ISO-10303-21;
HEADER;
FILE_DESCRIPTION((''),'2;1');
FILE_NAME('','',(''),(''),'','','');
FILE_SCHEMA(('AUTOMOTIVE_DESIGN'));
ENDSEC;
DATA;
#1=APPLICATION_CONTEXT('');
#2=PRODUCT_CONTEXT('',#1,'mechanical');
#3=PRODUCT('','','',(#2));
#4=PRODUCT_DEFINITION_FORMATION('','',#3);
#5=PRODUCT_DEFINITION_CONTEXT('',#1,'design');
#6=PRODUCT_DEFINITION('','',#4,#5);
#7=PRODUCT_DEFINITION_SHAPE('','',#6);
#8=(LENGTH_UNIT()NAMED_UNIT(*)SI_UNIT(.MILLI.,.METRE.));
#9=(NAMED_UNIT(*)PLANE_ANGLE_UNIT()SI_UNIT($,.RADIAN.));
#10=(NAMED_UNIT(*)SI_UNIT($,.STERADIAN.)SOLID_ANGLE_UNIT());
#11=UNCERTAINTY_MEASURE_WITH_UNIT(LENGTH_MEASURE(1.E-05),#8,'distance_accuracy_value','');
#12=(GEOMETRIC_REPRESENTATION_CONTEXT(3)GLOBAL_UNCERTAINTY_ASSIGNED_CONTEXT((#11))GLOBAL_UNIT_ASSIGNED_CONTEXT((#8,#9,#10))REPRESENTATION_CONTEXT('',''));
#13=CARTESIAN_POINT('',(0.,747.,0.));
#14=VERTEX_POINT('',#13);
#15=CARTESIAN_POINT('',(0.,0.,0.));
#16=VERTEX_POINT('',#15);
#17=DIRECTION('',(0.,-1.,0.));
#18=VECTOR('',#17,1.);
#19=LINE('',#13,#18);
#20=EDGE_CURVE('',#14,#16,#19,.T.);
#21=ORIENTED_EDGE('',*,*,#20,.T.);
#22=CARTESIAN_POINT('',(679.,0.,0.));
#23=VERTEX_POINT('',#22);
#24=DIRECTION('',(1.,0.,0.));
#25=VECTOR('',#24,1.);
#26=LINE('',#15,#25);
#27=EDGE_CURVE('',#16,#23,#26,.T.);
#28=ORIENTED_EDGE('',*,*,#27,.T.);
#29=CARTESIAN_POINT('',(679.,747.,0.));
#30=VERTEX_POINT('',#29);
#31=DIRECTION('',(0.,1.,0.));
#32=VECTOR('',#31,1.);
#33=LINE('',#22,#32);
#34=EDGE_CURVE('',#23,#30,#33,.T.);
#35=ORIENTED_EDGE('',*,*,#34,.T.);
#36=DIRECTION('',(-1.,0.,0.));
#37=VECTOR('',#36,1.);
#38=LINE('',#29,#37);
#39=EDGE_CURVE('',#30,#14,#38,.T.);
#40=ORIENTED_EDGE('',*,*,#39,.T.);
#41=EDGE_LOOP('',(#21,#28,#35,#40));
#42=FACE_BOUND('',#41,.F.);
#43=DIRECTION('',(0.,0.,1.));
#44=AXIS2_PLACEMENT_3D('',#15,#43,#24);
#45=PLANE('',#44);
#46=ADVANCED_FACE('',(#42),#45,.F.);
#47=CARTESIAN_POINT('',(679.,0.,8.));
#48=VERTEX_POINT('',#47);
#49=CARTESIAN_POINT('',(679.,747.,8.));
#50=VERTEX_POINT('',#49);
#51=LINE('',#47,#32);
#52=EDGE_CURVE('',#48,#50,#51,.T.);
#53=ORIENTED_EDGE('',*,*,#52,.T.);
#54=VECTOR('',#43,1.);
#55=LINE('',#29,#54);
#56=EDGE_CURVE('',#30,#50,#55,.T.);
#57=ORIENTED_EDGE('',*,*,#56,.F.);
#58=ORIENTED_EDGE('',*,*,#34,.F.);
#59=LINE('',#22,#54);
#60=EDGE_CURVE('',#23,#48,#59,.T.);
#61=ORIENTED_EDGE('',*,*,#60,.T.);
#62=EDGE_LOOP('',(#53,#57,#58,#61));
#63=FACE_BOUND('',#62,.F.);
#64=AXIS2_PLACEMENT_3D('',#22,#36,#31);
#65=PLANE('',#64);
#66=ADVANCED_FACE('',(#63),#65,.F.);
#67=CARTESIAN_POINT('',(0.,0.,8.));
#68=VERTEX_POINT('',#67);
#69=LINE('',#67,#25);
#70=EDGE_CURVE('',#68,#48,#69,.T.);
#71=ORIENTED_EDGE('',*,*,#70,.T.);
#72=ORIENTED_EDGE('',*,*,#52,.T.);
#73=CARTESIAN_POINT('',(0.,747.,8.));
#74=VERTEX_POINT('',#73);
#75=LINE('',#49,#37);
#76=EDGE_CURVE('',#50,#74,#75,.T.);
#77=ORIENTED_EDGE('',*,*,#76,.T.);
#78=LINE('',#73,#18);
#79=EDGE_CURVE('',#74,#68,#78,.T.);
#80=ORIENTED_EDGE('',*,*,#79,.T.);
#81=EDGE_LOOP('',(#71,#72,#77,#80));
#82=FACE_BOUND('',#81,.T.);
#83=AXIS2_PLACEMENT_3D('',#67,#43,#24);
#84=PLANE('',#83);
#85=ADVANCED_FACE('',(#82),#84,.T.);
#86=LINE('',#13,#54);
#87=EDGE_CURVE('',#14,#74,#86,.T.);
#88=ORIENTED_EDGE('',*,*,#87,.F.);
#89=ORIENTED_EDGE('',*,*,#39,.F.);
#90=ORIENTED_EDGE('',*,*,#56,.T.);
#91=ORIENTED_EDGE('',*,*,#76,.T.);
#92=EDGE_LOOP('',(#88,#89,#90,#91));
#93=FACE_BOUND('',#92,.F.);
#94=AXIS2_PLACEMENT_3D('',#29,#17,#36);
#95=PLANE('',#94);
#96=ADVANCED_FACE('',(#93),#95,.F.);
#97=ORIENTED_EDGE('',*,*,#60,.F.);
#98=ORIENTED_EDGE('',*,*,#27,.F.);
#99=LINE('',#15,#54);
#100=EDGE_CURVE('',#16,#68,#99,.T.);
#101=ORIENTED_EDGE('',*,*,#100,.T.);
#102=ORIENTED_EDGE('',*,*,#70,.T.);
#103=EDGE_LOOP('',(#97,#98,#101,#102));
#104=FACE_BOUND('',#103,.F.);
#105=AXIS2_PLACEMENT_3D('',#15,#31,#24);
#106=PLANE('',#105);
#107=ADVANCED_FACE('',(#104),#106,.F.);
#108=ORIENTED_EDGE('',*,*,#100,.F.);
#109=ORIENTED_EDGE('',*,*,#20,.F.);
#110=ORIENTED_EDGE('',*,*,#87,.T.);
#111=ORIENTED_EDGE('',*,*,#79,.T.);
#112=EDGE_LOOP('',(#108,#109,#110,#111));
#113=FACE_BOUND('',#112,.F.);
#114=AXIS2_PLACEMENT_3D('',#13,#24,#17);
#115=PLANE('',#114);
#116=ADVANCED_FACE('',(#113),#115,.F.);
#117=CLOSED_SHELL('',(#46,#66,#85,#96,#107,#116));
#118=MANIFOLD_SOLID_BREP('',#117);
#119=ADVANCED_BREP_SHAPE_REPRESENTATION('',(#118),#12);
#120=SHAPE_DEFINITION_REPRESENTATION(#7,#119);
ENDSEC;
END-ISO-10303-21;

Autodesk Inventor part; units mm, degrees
ref_plane "YZ Plane" through (0, 0, 0) normal (1, 0, 0) x (0, 1, 0)
ref_plane "XZ Plane" through (0, 0, 0) normal (0, 1, 0) x (-1, 0, 0)
ref_plane "XY Plane" through (0, 0, 0) normal (0, 0, 1) x (1, 0, 0)
sketch "Sketch1" plane through (0, 0, 0) normal (0, 0, 1) x (1, 0, 0)
  line L0 (0, 0) -> (679, 0)
  line L1 (679, 0) -> (679, 747)
  line L2 (679, 747) -> (0, 747)
  line L3 (0, 747) -> (0, 0)
  dimension "d0" = 679
  dimension "d1" = 747
extrude "Extrusion1" add sketch "Sketch1" along normal blind 8
properties part number "basement door right" material "Polycarbonate, Clear"
